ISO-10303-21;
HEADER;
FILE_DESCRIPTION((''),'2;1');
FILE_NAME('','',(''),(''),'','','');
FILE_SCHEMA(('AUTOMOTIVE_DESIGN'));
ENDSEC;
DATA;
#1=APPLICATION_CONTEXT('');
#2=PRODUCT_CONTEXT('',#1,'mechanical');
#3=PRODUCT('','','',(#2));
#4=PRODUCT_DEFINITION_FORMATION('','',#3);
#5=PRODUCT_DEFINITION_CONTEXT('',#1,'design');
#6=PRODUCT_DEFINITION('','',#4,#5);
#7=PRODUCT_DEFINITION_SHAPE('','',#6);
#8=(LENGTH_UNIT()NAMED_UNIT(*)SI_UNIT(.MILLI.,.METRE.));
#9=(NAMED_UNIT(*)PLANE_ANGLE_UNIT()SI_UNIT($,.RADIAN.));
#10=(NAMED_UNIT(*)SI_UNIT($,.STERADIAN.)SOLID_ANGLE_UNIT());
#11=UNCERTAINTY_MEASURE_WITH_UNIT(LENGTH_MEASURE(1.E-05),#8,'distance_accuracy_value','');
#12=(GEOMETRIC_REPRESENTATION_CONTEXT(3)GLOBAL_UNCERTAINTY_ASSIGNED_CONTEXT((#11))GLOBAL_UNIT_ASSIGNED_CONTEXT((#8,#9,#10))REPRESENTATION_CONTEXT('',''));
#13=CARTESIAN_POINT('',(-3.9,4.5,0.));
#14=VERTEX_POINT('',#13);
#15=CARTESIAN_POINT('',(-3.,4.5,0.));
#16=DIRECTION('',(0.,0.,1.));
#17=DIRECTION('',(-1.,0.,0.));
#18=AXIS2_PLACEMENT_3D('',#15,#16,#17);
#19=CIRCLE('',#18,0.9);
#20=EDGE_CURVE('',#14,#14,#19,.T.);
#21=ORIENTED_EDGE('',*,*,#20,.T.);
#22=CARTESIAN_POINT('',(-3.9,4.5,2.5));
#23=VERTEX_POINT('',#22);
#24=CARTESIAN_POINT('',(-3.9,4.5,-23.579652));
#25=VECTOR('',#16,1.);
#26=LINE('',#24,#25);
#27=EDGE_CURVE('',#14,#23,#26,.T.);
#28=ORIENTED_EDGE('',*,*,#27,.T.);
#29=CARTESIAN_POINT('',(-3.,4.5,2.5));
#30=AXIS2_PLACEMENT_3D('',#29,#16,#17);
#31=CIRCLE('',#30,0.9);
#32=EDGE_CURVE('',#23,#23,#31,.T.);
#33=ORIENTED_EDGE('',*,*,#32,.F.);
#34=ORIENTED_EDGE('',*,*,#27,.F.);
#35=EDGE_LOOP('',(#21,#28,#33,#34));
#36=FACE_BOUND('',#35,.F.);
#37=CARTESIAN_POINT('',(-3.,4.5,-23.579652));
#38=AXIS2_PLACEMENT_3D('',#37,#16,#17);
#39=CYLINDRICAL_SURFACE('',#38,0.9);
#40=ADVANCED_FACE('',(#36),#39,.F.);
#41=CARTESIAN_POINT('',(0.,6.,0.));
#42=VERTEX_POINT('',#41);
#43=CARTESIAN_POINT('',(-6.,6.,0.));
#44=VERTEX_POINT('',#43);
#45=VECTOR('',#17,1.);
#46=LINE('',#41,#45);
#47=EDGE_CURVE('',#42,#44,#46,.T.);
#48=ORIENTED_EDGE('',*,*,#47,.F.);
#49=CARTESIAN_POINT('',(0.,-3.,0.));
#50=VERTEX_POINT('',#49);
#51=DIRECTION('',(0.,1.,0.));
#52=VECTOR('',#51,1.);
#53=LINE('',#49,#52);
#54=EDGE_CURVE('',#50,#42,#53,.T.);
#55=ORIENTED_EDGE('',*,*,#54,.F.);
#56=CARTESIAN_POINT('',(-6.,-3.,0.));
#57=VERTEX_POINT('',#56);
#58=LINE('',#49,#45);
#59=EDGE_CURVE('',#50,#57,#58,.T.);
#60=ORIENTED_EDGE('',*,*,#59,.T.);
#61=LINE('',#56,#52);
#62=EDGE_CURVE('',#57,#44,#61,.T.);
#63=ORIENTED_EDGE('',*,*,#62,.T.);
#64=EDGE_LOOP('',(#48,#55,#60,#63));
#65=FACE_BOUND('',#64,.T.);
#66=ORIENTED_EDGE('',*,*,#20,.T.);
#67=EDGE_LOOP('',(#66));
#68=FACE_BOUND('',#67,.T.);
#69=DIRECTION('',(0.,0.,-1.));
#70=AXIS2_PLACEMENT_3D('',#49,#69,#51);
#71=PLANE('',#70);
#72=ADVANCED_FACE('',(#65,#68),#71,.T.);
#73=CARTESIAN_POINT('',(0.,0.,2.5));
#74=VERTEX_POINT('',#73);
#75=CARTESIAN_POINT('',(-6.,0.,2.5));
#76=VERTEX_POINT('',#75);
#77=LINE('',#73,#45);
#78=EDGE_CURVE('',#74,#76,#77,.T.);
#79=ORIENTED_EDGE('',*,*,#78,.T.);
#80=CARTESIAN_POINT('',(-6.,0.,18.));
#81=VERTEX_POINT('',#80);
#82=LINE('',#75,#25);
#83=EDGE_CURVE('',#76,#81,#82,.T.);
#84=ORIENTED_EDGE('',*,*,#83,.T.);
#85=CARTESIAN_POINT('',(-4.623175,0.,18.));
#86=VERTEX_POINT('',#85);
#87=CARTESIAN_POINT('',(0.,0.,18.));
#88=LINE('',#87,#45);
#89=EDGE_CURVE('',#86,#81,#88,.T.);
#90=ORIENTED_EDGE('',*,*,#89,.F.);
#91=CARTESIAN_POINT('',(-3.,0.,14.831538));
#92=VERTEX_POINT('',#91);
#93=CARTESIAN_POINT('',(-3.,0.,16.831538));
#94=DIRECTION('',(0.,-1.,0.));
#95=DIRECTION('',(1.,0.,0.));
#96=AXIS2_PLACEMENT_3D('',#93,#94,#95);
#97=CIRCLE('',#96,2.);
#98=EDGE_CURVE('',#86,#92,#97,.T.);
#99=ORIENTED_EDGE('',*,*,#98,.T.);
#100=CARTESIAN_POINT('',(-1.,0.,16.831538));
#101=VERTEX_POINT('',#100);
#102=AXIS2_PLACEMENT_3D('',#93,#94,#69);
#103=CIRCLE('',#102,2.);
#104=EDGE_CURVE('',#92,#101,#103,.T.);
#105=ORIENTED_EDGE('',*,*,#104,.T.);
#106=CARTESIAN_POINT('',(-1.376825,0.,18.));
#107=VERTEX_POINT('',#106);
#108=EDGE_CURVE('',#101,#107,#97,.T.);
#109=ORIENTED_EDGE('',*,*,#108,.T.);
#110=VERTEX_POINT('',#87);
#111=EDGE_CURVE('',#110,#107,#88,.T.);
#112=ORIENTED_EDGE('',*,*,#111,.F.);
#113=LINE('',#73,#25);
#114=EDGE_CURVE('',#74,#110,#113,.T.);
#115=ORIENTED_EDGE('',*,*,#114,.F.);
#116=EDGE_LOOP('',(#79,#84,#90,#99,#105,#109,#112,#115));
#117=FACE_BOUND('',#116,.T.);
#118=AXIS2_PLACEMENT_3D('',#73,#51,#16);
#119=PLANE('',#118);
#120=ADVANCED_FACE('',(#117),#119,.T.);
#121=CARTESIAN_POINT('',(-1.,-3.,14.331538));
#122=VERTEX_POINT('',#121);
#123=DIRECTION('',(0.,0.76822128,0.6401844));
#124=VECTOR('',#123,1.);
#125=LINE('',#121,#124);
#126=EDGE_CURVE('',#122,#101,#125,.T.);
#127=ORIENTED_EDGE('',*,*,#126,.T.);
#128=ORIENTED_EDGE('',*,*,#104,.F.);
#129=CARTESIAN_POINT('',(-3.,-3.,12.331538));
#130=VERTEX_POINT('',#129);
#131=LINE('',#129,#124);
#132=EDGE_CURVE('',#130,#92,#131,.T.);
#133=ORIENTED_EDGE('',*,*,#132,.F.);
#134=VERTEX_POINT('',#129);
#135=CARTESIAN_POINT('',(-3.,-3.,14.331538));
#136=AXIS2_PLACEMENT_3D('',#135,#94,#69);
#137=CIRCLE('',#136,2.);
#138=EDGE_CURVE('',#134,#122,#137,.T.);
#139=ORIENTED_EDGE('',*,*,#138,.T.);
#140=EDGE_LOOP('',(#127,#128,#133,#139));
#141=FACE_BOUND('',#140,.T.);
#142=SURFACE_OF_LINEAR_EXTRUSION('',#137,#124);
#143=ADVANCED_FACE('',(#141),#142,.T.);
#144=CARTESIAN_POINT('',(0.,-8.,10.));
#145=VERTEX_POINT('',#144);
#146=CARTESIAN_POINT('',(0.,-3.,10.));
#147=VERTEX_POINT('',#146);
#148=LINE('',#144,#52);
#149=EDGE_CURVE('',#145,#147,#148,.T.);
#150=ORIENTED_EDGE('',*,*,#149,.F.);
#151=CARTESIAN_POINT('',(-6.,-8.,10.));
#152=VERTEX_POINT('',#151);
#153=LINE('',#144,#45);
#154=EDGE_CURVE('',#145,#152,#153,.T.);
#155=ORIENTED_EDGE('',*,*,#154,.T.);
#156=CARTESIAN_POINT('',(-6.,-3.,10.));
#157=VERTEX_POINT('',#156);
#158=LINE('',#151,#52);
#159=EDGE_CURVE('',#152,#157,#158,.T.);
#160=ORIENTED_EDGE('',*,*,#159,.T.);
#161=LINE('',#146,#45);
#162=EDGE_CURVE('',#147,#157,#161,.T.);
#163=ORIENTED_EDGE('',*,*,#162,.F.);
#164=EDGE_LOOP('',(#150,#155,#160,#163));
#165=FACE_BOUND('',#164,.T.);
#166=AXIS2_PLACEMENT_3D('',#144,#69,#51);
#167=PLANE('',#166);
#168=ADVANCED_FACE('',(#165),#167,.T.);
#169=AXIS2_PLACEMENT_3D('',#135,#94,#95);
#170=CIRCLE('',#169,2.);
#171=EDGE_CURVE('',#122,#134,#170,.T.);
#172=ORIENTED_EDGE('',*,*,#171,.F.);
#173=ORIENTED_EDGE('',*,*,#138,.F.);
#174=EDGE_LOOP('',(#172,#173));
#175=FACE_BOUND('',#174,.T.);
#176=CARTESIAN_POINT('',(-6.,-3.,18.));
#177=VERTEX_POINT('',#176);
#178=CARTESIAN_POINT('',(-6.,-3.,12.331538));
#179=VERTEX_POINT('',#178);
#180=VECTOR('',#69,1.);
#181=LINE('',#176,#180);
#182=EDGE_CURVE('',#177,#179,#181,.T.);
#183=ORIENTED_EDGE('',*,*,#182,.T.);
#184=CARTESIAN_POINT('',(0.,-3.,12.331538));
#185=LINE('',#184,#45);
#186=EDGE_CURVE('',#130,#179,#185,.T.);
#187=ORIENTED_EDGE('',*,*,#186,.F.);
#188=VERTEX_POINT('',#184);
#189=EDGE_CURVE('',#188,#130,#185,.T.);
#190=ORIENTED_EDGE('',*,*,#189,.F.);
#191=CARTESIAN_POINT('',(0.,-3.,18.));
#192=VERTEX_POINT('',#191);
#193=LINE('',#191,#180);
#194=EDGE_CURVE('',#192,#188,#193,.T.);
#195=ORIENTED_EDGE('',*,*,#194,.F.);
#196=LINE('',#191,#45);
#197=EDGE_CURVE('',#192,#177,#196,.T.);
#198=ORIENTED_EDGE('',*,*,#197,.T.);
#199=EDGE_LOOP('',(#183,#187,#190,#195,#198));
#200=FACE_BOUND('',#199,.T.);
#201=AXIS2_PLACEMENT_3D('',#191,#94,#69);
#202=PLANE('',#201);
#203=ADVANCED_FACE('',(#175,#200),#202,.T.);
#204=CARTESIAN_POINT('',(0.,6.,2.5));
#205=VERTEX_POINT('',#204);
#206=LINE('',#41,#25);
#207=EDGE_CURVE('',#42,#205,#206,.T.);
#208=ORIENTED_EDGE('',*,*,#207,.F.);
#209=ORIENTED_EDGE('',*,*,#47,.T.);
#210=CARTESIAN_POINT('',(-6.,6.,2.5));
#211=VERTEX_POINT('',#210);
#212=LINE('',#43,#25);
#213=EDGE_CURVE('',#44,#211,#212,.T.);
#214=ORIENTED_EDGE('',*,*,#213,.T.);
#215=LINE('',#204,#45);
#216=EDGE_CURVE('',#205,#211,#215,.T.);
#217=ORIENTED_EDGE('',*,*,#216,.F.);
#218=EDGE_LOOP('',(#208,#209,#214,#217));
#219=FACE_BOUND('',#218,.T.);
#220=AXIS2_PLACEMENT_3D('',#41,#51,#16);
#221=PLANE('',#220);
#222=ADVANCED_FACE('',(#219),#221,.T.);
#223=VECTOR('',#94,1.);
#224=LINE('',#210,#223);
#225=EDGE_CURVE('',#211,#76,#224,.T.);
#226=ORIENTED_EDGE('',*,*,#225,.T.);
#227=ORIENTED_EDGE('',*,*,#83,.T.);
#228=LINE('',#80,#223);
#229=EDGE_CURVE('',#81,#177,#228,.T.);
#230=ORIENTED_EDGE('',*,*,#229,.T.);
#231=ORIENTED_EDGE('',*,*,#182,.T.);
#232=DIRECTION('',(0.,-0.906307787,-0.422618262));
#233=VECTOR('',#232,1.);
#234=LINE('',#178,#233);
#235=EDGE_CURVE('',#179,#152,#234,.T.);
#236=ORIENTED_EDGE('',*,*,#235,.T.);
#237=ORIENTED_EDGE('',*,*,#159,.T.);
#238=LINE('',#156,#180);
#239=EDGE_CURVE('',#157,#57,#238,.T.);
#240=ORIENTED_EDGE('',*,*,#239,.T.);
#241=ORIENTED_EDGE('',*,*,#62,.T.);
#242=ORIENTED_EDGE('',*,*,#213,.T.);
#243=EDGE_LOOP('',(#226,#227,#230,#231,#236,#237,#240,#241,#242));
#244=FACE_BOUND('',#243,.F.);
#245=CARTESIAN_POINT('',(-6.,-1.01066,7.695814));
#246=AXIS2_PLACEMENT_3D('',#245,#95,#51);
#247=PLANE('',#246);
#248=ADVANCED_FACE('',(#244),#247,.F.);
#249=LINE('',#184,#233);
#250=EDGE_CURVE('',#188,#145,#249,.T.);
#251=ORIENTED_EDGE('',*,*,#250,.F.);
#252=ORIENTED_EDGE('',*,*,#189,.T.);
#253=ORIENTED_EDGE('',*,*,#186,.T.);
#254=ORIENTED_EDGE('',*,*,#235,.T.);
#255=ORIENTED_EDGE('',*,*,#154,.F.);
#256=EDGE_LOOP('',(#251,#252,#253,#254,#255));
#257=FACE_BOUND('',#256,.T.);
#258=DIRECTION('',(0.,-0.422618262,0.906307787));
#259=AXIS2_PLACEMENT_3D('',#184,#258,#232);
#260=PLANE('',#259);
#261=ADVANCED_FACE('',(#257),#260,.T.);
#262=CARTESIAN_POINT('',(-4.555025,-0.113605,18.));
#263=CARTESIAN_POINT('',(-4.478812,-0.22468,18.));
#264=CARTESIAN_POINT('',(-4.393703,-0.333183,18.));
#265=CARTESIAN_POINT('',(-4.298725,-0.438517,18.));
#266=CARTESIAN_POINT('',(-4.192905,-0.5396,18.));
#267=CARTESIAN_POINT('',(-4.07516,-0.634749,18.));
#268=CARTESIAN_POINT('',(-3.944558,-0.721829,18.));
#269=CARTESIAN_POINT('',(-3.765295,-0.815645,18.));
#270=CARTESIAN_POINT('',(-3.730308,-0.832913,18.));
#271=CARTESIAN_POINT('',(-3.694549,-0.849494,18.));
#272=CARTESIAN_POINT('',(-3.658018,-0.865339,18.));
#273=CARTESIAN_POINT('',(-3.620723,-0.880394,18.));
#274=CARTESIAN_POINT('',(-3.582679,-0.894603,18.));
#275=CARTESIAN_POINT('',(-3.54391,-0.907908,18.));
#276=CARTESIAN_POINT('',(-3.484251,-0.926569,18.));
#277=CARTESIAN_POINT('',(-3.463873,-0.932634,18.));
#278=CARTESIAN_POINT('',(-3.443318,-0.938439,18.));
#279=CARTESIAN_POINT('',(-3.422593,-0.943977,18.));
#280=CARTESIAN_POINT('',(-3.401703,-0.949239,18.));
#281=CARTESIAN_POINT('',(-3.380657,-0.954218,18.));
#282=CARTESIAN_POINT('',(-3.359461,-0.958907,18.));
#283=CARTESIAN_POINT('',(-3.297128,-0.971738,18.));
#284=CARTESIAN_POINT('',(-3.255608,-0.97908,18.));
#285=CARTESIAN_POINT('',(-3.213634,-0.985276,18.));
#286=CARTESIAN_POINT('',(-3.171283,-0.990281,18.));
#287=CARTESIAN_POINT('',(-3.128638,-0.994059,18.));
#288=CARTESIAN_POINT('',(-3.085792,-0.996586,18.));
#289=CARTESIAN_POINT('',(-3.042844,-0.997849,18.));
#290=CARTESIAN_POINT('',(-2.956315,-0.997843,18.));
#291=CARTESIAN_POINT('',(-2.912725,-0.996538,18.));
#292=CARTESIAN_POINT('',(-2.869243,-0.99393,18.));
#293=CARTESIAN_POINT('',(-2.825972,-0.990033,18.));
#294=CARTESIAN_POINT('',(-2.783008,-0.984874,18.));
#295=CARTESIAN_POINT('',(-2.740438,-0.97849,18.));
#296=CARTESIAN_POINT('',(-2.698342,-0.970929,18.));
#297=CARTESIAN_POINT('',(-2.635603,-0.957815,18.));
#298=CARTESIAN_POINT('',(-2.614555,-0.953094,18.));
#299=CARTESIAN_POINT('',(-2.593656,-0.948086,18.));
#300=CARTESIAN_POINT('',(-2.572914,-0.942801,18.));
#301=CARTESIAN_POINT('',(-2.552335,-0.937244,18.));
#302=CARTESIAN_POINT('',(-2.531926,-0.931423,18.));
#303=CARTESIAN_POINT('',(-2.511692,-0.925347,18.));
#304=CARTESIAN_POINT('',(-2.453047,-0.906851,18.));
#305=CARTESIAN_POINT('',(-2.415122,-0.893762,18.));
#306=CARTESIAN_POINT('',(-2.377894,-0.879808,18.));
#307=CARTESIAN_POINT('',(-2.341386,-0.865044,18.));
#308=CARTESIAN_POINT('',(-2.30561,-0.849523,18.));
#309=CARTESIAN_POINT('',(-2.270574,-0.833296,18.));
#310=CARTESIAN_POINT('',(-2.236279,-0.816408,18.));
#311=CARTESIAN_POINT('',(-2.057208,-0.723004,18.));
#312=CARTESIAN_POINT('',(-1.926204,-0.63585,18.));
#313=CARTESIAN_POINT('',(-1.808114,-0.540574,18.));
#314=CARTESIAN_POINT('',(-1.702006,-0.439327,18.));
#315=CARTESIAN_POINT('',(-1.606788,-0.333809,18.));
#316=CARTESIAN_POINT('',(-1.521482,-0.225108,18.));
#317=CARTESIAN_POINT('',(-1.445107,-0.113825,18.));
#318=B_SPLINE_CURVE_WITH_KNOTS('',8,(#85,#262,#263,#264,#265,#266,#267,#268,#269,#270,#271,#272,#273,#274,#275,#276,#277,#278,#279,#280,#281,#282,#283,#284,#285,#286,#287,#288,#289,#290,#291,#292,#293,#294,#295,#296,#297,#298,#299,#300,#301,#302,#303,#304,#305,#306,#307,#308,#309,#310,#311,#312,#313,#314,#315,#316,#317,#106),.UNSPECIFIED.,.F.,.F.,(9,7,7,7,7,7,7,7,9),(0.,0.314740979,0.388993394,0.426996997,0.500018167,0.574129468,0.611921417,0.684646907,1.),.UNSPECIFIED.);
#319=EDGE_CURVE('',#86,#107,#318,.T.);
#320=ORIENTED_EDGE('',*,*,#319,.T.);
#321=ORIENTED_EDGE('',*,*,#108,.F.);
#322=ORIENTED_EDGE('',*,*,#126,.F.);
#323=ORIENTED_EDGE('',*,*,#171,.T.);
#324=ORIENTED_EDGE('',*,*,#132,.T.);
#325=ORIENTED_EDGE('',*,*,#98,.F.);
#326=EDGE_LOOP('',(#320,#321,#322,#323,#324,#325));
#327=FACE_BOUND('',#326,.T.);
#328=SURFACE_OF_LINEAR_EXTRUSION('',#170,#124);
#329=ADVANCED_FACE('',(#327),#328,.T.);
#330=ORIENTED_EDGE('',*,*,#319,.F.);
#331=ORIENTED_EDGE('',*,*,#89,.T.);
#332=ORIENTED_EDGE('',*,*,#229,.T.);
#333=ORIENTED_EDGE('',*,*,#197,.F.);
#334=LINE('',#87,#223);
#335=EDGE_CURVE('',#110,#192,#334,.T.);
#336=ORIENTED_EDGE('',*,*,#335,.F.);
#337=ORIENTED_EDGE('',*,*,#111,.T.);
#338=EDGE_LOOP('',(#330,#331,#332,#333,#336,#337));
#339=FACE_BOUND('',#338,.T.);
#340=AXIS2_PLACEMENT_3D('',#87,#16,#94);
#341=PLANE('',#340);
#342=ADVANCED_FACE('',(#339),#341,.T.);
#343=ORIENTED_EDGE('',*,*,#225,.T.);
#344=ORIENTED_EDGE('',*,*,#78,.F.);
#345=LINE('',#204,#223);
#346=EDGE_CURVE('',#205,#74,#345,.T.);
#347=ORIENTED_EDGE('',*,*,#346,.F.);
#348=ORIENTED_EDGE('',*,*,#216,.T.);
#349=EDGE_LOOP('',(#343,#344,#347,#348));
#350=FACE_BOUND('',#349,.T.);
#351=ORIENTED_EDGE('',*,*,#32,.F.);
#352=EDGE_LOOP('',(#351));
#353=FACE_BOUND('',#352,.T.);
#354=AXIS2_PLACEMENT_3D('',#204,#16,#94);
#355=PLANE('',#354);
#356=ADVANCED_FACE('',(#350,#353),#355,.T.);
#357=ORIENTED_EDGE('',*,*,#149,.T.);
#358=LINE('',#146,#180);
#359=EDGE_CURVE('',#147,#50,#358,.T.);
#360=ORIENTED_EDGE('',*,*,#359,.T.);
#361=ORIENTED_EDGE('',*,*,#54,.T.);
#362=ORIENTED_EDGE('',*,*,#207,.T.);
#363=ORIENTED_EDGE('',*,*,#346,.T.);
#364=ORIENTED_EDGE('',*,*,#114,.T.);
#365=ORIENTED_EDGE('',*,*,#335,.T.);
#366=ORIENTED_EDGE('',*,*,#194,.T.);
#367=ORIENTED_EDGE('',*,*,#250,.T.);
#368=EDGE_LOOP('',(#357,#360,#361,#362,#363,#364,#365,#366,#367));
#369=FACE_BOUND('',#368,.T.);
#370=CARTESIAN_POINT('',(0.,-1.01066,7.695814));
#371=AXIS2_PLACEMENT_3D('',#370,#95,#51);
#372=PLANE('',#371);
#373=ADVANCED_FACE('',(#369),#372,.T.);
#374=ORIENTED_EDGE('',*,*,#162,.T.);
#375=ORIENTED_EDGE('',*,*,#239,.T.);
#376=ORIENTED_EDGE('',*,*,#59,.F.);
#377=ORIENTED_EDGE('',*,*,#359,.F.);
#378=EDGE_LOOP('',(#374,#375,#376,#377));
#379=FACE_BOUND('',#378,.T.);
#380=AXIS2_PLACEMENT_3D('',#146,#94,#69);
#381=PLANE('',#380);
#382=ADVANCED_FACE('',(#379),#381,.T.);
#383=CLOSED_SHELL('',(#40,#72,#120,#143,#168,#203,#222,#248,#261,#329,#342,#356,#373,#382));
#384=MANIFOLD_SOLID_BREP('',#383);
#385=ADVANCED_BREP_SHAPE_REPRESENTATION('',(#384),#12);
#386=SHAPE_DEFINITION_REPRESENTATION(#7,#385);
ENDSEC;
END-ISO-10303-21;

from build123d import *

# Parameters (mm, degrees)
F1_DEPTH = 6
F3_D     = 1.8


with BuildPart() as f1:
    # F0 (on Right) → F1 (new body)
    with BuildSketch(Plane.YZ):
        Polygon((-3, 0), (0, 0), (6, 0), (6, 2.5), (0, 2.5), (0, 13.7304612652), (0, 18), (-3, 18), (-3, 12.3315382908), (-8, 10), (-3, 10), align=None)
    extrude(amount=-F1_DEPTH)

    # F3 (through all)
    with Locations(Plane(origin=(0, 0, 0), x_dir=(1, 0, 0), z_dir=(0, 0, -1))):
        with Locations((-3, -4.5)):
            Hole(F3_D / 2)

    # F7: sweep along a path in F6
    with BuildLine(Plane.YZ) as f7_path:
        Line((-3, 14.3315382908), (0, 16.8315382908))
    # F5 (on face) → F7 (sweep, cut)
    with BuildSketch(Plane.XZ.offset(3)):
        with BuildLine():
            ThreePointArc((-3, 12.3315382908), (-1.5857864376, 12.9173247284), (-1, 14.3315382908))
            ThreePointArc((-1, 14.3315382908), (-4.4142135624, 15.7457518531), (-3, 12.3315382908))
        make_face()
    sweep(path=f7_path.line, mode=Mode.SUBTRACT)


solid = f1.part
